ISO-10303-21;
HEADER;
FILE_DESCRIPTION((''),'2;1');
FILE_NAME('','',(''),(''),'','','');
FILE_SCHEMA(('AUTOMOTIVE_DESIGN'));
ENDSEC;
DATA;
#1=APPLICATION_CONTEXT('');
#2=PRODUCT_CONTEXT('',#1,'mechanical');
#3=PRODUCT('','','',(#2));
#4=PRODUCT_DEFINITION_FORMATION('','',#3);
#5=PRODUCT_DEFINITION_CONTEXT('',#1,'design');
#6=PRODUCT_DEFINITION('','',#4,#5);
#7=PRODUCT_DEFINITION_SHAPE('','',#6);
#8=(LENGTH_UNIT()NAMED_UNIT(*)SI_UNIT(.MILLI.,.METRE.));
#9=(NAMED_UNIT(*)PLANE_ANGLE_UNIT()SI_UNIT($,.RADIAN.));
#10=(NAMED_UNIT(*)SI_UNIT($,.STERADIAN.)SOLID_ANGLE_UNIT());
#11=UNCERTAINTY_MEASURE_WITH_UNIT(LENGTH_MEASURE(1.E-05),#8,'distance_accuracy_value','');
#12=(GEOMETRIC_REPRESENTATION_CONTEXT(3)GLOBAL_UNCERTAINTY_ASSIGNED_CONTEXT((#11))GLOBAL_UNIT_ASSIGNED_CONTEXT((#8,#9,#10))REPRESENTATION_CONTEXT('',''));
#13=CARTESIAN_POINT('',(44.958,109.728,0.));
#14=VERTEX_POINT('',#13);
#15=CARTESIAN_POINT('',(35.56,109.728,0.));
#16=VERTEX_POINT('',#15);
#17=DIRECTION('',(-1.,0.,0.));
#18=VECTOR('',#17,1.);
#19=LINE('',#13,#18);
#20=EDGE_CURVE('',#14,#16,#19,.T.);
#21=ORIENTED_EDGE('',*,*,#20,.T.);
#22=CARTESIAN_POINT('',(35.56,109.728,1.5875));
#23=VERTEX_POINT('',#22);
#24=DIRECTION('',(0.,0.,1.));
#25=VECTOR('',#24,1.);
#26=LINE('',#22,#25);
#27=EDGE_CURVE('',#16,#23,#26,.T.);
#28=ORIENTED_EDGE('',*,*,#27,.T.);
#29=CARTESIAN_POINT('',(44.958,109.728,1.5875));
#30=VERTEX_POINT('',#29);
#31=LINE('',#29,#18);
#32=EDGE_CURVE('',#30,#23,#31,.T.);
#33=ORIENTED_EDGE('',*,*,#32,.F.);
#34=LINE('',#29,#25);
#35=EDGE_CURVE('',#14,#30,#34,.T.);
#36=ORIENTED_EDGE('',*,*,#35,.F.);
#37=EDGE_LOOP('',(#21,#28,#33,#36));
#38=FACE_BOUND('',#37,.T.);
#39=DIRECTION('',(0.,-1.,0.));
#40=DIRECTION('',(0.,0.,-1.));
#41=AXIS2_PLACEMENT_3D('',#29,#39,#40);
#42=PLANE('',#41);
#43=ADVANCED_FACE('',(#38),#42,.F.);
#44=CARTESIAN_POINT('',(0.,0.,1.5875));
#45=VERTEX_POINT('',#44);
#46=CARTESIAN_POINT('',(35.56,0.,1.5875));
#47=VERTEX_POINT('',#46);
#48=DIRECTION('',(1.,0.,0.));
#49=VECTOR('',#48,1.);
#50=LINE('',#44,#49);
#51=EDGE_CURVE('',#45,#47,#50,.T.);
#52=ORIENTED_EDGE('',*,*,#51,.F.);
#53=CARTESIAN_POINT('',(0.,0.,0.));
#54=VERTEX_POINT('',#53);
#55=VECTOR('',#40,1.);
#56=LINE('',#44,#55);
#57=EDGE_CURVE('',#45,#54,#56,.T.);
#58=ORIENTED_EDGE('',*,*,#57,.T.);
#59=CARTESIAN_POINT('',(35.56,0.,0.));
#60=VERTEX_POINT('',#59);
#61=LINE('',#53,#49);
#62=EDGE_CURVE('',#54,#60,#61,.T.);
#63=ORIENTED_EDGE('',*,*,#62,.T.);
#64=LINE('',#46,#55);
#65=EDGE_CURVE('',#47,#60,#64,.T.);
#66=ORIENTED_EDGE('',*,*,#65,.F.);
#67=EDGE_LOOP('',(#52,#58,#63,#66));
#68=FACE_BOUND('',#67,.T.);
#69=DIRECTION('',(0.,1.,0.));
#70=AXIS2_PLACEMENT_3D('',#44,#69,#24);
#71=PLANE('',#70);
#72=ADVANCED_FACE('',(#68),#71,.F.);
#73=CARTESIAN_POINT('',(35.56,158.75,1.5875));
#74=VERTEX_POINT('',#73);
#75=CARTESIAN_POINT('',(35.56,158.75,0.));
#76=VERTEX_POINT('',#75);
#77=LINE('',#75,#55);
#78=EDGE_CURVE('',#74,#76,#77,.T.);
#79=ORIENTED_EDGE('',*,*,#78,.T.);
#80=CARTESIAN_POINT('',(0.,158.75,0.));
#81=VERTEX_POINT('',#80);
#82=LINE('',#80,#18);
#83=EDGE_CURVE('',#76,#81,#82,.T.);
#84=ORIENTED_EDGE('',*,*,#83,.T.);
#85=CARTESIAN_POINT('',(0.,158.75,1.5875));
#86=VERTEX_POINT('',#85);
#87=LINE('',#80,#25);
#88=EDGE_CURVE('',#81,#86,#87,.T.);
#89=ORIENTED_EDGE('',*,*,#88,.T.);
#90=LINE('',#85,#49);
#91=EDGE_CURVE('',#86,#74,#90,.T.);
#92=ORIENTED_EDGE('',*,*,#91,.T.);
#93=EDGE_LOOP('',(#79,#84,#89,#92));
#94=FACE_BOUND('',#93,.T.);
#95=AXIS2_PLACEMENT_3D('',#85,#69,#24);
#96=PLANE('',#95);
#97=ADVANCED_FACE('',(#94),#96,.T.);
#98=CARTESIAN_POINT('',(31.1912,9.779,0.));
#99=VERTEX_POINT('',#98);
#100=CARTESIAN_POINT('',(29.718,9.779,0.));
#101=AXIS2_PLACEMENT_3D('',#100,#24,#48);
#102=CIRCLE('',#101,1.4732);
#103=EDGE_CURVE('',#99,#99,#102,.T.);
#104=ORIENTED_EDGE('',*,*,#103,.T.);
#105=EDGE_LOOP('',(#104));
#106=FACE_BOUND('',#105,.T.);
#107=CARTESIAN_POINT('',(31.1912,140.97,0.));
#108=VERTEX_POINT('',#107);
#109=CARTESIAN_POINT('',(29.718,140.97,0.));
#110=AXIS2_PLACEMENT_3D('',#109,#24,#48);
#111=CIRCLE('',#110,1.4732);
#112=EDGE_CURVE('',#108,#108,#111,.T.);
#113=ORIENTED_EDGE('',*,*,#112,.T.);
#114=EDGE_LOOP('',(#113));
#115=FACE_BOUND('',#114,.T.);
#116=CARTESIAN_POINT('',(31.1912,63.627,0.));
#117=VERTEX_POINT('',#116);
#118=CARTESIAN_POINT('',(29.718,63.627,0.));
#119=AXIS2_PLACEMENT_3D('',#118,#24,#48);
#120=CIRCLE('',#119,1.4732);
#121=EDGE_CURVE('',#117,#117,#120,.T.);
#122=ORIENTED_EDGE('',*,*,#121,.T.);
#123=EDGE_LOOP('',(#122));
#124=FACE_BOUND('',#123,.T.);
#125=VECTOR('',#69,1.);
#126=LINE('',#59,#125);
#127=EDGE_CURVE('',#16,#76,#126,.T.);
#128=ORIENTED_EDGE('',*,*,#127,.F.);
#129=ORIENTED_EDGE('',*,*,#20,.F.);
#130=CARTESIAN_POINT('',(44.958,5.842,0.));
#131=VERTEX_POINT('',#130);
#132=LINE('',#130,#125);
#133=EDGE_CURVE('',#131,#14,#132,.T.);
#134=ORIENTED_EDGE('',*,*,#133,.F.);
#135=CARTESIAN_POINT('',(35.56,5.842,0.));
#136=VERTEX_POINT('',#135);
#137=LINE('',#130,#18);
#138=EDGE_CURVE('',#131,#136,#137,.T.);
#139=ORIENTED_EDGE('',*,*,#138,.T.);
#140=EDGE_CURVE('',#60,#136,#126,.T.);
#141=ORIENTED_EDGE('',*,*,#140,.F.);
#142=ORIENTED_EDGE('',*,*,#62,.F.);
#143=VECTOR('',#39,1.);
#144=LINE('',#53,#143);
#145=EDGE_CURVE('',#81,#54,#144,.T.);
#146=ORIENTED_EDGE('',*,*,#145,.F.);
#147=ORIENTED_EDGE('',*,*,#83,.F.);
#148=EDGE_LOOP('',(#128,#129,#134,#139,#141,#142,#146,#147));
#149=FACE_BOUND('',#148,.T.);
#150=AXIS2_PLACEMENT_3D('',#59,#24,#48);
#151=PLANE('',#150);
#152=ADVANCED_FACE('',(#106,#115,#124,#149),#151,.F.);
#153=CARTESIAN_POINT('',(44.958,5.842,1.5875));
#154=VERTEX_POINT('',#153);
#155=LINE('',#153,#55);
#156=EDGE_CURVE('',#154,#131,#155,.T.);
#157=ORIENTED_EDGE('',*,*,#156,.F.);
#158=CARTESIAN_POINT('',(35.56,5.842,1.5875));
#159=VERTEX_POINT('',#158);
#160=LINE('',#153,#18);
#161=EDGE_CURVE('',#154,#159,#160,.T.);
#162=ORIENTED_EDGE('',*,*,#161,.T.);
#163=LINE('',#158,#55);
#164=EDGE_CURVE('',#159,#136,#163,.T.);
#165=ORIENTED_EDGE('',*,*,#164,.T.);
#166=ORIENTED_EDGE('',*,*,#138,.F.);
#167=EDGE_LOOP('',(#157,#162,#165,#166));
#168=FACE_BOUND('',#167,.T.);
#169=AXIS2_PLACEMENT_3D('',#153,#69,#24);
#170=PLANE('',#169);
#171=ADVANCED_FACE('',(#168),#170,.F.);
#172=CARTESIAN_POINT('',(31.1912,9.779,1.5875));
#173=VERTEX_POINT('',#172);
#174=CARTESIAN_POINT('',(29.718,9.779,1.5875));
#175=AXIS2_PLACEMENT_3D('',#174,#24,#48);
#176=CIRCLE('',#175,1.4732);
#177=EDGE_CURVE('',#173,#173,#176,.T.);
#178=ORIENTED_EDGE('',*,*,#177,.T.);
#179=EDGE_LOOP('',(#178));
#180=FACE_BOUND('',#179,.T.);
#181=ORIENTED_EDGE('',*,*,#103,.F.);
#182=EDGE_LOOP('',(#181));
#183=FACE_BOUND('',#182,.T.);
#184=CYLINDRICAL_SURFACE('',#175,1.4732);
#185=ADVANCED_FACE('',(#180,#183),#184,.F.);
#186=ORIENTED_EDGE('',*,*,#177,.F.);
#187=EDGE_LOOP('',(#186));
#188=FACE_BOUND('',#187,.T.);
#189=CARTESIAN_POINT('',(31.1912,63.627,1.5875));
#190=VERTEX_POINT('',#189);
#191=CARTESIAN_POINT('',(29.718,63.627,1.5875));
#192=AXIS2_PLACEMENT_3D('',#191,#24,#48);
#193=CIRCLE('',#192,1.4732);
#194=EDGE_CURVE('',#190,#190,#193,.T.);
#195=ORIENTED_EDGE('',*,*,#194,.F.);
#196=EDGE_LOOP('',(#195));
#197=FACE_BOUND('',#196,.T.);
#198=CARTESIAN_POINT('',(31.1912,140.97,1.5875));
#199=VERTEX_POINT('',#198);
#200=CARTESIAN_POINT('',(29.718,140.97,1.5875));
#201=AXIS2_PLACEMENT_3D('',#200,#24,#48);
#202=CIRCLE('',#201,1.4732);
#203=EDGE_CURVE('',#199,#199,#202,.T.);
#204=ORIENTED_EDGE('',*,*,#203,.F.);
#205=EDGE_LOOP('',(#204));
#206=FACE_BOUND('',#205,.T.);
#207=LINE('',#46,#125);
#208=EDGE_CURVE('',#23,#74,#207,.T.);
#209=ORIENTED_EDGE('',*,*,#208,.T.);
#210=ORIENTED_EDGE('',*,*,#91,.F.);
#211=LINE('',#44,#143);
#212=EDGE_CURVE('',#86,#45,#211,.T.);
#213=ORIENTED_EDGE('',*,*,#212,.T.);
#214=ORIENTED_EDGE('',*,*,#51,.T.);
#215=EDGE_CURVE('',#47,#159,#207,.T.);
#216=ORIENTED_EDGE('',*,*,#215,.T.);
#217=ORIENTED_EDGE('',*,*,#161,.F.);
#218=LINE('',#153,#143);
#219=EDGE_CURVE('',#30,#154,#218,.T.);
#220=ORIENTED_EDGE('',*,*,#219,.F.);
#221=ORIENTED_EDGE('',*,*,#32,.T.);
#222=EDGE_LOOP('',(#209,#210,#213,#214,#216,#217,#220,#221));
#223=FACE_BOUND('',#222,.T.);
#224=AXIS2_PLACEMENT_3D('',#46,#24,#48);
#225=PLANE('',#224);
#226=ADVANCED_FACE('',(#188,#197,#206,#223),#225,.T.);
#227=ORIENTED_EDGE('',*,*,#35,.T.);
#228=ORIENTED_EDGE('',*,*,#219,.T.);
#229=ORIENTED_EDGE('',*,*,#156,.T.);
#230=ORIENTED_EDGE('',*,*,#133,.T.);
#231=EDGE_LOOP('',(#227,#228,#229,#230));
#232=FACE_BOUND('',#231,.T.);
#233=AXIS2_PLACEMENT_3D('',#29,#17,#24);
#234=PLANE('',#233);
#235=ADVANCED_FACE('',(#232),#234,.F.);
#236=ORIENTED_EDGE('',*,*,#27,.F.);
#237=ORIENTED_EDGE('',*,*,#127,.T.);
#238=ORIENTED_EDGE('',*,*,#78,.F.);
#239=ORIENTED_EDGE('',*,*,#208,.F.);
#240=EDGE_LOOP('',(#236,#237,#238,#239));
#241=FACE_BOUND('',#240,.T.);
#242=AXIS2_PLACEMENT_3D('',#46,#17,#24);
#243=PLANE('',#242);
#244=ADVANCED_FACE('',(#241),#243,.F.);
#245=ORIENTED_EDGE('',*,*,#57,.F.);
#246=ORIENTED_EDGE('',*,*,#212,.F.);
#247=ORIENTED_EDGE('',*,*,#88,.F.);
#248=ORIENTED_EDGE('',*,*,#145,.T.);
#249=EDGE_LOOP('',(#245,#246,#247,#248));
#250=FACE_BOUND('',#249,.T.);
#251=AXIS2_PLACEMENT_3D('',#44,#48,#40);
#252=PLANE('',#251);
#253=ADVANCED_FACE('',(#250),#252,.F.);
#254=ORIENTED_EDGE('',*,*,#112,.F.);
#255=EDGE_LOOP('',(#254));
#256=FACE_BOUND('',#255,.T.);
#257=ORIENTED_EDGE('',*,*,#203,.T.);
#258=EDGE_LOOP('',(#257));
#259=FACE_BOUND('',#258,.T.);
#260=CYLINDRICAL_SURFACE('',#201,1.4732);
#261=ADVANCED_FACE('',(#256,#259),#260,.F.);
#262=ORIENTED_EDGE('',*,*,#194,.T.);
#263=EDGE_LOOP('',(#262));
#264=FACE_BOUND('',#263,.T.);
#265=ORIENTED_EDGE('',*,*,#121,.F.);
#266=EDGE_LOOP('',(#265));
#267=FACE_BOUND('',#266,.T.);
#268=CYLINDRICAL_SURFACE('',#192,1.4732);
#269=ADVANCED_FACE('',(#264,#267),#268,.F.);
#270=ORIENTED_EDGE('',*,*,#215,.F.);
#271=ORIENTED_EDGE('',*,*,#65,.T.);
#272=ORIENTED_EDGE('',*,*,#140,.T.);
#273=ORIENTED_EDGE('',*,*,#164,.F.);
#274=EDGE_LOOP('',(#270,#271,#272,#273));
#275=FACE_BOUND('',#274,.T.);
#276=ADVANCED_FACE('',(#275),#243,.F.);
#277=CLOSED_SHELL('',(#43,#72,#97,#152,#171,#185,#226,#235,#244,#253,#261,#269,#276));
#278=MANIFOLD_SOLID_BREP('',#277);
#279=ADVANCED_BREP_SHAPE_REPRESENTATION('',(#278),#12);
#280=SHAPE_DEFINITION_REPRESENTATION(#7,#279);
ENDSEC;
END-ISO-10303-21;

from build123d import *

# Parameters (mm, degrees)
SKETCH1_W                          = 35.56
SKETCH1_H                          = 146.05
EXTRUDE1_DEPTH                     = 1.5875
SKETCH3_W                          = 1.5875
SKETCH3_H                          = 103.886
EXTRUDE2_DEPTH                     = 9.398
F_32_0_116000_DIAMETER_HOLE1_D     = 2.9464
F_32_0_116000_DIAMETER_HOLE1_DEPTH = 25.4
F_32_0_116000_DIAMETER_HOLE1_TIP   = 0.885187864
SKETCH7_W                          = 35.56
SKETCH7_H                          = 1.5875
EXTRUDE3_DEPTH                     = 12.7


with BuildPart() as part:
    # Sketch1 → Extrude1 (new body)
    with BuildSketch(Plane.XY):
        with Locations((17.78, 73.025)):
            Rectangle(SKETCH1_W, SKETCH1_H)
    extrude(amount=EXTRUDE1_DEPTH)

    # Sketch3 → Extrude2 (add)
    with BuildSketch(Plane(origin=(35.56, 0, 0), x_dir=(0, 0, -1), z_dir=(1, 0, 0))):
        with Locations((-0.79375, 57.785)):
            Rectangle(SKETCH3_W, SKETCH3_H)
    extrude(amount=EXTRUDE2_DEPTH)

    # #32 (0.116000) Diameter Hole1
    with Locations(Plane(origin=(29.718, 9.779, 1.5875), x_dir=(1, 0, 0), z_dir=(0, 0, 1))):
        with Locations((0, 0), (0, 53.848), (0, 131.191)):
            Hole(F_32_0_116000_DIAMETER_HOLE1_D / 2, depth=F_32_0_116000_DIAMETER_HOLE1_DEPTH)
            with Locations((0, 0, -(F_32_0_116000_DIAMETER_HOLE1_DEPTH + F_32_0_116000_DIAMETER_HOLE1_TIP / 2))):  # 118° drill point
                Cone(0, F_32_0_116000_DIAMETER_HOLE1_D / 2, F_32_0_116000_DIAMETER_HOLE1_TIP, mode=Mode.SUBTRACT)

    # Sketch7 → Extrude3 (add)
    with BuildSketch(Plane(origin=(0, 146.05, 0), x_dir=(-1, 0, 0), z_dir=(0, 1, 0))):
        with Locations((-17.78, 0.79375)):
            Rectangle(SKETCH7_W, SKETCH7_H)
    extrude(amount=EXTRUDE3_DEPTH)


solid = part.part
